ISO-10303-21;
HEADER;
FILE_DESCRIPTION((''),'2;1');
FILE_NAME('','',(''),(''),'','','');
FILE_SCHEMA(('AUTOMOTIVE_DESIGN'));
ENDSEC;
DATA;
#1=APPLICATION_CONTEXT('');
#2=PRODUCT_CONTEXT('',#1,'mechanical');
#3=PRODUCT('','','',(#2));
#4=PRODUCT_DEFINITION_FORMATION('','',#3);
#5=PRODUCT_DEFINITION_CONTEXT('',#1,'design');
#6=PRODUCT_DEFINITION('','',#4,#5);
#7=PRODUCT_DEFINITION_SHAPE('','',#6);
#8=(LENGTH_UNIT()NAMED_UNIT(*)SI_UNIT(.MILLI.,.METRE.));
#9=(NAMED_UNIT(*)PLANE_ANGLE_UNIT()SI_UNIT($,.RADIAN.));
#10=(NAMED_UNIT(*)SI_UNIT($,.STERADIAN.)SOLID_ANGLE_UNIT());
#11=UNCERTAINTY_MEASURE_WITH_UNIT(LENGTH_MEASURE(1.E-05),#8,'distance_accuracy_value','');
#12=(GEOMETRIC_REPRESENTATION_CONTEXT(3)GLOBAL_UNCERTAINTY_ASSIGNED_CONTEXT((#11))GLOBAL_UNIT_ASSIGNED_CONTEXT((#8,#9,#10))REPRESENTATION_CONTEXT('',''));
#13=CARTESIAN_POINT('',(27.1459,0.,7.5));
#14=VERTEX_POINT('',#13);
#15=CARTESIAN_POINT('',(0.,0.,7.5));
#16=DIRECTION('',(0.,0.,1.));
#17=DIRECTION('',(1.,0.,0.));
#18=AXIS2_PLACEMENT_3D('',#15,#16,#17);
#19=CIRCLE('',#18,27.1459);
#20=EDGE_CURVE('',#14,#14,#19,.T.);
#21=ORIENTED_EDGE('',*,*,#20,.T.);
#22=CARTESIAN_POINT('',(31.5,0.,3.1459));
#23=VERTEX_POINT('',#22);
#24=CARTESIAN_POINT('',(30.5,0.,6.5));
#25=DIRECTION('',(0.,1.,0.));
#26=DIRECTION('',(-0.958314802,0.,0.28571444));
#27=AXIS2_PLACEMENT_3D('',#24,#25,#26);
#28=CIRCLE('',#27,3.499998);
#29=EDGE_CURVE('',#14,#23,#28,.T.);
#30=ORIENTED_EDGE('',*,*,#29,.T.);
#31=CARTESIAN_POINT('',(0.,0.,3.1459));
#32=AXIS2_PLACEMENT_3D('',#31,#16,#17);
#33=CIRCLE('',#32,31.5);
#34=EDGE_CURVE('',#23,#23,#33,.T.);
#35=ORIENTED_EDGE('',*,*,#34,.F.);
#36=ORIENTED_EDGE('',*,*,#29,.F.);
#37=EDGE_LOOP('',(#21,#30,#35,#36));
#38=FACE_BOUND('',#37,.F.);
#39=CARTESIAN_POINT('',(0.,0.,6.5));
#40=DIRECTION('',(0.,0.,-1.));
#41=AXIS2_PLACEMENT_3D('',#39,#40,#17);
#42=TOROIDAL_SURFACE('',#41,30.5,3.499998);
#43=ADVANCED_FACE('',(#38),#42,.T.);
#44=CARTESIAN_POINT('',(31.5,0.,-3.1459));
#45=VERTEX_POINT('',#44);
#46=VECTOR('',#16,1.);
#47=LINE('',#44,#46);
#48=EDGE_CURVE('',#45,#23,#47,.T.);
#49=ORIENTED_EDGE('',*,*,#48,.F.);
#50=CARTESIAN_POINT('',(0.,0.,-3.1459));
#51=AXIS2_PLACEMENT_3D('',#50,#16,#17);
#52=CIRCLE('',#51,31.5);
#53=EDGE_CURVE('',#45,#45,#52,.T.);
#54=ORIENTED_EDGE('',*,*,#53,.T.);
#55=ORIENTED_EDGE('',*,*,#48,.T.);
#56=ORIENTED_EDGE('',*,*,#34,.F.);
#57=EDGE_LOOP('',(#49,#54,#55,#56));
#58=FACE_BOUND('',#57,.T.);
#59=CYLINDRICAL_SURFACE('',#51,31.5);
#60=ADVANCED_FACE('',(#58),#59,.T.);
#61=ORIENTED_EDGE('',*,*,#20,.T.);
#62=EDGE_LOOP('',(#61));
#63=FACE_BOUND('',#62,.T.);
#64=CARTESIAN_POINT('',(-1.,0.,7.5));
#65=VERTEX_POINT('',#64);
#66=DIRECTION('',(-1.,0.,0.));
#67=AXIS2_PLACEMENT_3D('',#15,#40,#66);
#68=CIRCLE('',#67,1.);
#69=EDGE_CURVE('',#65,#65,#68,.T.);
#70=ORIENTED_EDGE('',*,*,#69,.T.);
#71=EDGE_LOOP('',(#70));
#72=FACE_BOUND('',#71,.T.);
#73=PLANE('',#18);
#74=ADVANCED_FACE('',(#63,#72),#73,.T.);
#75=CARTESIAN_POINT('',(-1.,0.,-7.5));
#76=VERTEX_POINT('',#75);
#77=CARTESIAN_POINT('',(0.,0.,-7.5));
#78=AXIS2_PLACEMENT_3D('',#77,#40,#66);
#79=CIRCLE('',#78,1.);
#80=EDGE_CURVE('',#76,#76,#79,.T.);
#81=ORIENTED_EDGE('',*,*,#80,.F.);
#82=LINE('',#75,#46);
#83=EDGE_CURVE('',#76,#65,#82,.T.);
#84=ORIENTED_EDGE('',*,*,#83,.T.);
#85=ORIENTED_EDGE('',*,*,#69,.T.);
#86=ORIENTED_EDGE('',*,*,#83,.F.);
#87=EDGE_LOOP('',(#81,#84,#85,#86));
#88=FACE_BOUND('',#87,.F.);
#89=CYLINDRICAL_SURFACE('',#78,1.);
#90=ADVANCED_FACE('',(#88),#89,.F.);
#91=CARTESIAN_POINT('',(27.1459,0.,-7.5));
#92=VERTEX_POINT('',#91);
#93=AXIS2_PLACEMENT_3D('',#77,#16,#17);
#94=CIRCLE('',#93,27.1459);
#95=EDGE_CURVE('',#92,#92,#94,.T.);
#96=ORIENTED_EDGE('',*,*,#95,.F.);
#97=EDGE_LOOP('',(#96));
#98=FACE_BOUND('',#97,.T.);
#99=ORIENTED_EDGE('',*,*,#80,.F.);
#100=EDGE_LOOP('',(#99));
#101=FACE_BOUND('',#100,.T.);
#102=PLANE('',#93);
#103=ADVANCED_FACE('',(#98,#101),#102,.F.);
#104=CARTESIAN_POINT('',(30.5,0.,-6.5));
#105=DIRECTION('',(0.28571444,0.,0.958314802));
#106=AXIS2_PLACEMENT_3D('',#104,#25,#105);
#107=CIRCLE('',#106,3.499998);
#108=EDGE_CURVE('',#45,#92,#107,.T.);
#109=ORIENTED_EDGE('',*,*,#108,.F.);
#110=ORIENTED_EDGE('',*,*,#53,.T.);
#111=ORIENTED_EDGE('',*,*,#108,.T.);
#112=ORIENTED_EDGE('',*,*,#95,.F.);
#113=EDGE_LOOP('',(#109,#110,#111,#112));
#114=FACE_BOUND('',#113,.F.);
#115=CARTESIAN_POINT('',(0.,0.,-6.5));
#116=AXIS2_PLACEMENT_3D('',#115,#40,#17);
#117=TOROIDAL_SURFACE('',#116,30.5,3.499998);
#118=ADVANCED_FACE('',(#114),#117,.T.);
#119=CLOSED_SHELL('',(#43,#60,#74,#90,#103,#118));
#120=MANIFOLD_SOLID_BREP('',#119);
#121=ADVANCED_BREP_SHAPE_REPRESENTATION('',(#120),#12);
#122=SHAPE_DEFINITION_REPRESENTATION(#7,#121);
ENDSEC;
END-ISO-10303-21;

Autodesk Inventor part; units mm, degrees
ref_plane "YZ Plane" through (0, 0, 0) normal (1, 0, 0) x (0, 1, 0)
ref_plane "XZ Plane" through (0, 0, 0) normal (0, 1, 0) x (-1, 0, 0)
ref_plane "XY Plane" through (0, 0, 0) normal (0, 0, 1) x (1, 0, 0)
sketch "Sketch1" plane through (0, 0, 0) normal (0, 1, 0) x (-1, 0, 0)
  line L0 (7.0899, 0) -> (-42.5397, 0) projected
  line L1 (0, -16.0296) -> (0, 16.0296) projected
  line L2 (0, -7.5) -> (-27.1459, -7.5)
  line L3 (-31.5, -3.1459) -> (-31.5, 3.1459)
  line L4 (-27.1459, 7.5) -> (0, 7.5)
  line L5 (0, 7.5) -> (0, -7.5)
  arc A0 (-31.5, -3.1459) -> (-27.1459, -7.5) centre (-30.5, -6.5) ccw
  arc A1 (-27.1459, 7.5) -> (-31.5, 3.1459) centre (-30.5, 6.5) ccw
  point P0 (0, 0)
  dimension "d1" = 7.5
  dimension "d2" = 31.5
  dimension "d4" = 1
  dimension "d5" = 1
  dimension "d6" = 7
  dimension "d7" = 7
  dimension "d8" = 1
  dimension "d9" = 1
  dimension "d10" = 15
revolve "Revolution1" add sketch "Sketch1" angle 360 about axis through (0, 0, -10) along (0, 0, 1)
sketch "Sketch2" plane through (0, 0, -7.5) normal (0, 0, -1) x (-1, 0, 0)
  circle A0 centre (0, 0) radius 1
  dimension "d12" = 2
extrude "Extrusion1" cut sketch "Sketch2" against normal through all
equation "\"d1\" = 0.5 * d10"
properties part number "BallBalancing_Wheel"
